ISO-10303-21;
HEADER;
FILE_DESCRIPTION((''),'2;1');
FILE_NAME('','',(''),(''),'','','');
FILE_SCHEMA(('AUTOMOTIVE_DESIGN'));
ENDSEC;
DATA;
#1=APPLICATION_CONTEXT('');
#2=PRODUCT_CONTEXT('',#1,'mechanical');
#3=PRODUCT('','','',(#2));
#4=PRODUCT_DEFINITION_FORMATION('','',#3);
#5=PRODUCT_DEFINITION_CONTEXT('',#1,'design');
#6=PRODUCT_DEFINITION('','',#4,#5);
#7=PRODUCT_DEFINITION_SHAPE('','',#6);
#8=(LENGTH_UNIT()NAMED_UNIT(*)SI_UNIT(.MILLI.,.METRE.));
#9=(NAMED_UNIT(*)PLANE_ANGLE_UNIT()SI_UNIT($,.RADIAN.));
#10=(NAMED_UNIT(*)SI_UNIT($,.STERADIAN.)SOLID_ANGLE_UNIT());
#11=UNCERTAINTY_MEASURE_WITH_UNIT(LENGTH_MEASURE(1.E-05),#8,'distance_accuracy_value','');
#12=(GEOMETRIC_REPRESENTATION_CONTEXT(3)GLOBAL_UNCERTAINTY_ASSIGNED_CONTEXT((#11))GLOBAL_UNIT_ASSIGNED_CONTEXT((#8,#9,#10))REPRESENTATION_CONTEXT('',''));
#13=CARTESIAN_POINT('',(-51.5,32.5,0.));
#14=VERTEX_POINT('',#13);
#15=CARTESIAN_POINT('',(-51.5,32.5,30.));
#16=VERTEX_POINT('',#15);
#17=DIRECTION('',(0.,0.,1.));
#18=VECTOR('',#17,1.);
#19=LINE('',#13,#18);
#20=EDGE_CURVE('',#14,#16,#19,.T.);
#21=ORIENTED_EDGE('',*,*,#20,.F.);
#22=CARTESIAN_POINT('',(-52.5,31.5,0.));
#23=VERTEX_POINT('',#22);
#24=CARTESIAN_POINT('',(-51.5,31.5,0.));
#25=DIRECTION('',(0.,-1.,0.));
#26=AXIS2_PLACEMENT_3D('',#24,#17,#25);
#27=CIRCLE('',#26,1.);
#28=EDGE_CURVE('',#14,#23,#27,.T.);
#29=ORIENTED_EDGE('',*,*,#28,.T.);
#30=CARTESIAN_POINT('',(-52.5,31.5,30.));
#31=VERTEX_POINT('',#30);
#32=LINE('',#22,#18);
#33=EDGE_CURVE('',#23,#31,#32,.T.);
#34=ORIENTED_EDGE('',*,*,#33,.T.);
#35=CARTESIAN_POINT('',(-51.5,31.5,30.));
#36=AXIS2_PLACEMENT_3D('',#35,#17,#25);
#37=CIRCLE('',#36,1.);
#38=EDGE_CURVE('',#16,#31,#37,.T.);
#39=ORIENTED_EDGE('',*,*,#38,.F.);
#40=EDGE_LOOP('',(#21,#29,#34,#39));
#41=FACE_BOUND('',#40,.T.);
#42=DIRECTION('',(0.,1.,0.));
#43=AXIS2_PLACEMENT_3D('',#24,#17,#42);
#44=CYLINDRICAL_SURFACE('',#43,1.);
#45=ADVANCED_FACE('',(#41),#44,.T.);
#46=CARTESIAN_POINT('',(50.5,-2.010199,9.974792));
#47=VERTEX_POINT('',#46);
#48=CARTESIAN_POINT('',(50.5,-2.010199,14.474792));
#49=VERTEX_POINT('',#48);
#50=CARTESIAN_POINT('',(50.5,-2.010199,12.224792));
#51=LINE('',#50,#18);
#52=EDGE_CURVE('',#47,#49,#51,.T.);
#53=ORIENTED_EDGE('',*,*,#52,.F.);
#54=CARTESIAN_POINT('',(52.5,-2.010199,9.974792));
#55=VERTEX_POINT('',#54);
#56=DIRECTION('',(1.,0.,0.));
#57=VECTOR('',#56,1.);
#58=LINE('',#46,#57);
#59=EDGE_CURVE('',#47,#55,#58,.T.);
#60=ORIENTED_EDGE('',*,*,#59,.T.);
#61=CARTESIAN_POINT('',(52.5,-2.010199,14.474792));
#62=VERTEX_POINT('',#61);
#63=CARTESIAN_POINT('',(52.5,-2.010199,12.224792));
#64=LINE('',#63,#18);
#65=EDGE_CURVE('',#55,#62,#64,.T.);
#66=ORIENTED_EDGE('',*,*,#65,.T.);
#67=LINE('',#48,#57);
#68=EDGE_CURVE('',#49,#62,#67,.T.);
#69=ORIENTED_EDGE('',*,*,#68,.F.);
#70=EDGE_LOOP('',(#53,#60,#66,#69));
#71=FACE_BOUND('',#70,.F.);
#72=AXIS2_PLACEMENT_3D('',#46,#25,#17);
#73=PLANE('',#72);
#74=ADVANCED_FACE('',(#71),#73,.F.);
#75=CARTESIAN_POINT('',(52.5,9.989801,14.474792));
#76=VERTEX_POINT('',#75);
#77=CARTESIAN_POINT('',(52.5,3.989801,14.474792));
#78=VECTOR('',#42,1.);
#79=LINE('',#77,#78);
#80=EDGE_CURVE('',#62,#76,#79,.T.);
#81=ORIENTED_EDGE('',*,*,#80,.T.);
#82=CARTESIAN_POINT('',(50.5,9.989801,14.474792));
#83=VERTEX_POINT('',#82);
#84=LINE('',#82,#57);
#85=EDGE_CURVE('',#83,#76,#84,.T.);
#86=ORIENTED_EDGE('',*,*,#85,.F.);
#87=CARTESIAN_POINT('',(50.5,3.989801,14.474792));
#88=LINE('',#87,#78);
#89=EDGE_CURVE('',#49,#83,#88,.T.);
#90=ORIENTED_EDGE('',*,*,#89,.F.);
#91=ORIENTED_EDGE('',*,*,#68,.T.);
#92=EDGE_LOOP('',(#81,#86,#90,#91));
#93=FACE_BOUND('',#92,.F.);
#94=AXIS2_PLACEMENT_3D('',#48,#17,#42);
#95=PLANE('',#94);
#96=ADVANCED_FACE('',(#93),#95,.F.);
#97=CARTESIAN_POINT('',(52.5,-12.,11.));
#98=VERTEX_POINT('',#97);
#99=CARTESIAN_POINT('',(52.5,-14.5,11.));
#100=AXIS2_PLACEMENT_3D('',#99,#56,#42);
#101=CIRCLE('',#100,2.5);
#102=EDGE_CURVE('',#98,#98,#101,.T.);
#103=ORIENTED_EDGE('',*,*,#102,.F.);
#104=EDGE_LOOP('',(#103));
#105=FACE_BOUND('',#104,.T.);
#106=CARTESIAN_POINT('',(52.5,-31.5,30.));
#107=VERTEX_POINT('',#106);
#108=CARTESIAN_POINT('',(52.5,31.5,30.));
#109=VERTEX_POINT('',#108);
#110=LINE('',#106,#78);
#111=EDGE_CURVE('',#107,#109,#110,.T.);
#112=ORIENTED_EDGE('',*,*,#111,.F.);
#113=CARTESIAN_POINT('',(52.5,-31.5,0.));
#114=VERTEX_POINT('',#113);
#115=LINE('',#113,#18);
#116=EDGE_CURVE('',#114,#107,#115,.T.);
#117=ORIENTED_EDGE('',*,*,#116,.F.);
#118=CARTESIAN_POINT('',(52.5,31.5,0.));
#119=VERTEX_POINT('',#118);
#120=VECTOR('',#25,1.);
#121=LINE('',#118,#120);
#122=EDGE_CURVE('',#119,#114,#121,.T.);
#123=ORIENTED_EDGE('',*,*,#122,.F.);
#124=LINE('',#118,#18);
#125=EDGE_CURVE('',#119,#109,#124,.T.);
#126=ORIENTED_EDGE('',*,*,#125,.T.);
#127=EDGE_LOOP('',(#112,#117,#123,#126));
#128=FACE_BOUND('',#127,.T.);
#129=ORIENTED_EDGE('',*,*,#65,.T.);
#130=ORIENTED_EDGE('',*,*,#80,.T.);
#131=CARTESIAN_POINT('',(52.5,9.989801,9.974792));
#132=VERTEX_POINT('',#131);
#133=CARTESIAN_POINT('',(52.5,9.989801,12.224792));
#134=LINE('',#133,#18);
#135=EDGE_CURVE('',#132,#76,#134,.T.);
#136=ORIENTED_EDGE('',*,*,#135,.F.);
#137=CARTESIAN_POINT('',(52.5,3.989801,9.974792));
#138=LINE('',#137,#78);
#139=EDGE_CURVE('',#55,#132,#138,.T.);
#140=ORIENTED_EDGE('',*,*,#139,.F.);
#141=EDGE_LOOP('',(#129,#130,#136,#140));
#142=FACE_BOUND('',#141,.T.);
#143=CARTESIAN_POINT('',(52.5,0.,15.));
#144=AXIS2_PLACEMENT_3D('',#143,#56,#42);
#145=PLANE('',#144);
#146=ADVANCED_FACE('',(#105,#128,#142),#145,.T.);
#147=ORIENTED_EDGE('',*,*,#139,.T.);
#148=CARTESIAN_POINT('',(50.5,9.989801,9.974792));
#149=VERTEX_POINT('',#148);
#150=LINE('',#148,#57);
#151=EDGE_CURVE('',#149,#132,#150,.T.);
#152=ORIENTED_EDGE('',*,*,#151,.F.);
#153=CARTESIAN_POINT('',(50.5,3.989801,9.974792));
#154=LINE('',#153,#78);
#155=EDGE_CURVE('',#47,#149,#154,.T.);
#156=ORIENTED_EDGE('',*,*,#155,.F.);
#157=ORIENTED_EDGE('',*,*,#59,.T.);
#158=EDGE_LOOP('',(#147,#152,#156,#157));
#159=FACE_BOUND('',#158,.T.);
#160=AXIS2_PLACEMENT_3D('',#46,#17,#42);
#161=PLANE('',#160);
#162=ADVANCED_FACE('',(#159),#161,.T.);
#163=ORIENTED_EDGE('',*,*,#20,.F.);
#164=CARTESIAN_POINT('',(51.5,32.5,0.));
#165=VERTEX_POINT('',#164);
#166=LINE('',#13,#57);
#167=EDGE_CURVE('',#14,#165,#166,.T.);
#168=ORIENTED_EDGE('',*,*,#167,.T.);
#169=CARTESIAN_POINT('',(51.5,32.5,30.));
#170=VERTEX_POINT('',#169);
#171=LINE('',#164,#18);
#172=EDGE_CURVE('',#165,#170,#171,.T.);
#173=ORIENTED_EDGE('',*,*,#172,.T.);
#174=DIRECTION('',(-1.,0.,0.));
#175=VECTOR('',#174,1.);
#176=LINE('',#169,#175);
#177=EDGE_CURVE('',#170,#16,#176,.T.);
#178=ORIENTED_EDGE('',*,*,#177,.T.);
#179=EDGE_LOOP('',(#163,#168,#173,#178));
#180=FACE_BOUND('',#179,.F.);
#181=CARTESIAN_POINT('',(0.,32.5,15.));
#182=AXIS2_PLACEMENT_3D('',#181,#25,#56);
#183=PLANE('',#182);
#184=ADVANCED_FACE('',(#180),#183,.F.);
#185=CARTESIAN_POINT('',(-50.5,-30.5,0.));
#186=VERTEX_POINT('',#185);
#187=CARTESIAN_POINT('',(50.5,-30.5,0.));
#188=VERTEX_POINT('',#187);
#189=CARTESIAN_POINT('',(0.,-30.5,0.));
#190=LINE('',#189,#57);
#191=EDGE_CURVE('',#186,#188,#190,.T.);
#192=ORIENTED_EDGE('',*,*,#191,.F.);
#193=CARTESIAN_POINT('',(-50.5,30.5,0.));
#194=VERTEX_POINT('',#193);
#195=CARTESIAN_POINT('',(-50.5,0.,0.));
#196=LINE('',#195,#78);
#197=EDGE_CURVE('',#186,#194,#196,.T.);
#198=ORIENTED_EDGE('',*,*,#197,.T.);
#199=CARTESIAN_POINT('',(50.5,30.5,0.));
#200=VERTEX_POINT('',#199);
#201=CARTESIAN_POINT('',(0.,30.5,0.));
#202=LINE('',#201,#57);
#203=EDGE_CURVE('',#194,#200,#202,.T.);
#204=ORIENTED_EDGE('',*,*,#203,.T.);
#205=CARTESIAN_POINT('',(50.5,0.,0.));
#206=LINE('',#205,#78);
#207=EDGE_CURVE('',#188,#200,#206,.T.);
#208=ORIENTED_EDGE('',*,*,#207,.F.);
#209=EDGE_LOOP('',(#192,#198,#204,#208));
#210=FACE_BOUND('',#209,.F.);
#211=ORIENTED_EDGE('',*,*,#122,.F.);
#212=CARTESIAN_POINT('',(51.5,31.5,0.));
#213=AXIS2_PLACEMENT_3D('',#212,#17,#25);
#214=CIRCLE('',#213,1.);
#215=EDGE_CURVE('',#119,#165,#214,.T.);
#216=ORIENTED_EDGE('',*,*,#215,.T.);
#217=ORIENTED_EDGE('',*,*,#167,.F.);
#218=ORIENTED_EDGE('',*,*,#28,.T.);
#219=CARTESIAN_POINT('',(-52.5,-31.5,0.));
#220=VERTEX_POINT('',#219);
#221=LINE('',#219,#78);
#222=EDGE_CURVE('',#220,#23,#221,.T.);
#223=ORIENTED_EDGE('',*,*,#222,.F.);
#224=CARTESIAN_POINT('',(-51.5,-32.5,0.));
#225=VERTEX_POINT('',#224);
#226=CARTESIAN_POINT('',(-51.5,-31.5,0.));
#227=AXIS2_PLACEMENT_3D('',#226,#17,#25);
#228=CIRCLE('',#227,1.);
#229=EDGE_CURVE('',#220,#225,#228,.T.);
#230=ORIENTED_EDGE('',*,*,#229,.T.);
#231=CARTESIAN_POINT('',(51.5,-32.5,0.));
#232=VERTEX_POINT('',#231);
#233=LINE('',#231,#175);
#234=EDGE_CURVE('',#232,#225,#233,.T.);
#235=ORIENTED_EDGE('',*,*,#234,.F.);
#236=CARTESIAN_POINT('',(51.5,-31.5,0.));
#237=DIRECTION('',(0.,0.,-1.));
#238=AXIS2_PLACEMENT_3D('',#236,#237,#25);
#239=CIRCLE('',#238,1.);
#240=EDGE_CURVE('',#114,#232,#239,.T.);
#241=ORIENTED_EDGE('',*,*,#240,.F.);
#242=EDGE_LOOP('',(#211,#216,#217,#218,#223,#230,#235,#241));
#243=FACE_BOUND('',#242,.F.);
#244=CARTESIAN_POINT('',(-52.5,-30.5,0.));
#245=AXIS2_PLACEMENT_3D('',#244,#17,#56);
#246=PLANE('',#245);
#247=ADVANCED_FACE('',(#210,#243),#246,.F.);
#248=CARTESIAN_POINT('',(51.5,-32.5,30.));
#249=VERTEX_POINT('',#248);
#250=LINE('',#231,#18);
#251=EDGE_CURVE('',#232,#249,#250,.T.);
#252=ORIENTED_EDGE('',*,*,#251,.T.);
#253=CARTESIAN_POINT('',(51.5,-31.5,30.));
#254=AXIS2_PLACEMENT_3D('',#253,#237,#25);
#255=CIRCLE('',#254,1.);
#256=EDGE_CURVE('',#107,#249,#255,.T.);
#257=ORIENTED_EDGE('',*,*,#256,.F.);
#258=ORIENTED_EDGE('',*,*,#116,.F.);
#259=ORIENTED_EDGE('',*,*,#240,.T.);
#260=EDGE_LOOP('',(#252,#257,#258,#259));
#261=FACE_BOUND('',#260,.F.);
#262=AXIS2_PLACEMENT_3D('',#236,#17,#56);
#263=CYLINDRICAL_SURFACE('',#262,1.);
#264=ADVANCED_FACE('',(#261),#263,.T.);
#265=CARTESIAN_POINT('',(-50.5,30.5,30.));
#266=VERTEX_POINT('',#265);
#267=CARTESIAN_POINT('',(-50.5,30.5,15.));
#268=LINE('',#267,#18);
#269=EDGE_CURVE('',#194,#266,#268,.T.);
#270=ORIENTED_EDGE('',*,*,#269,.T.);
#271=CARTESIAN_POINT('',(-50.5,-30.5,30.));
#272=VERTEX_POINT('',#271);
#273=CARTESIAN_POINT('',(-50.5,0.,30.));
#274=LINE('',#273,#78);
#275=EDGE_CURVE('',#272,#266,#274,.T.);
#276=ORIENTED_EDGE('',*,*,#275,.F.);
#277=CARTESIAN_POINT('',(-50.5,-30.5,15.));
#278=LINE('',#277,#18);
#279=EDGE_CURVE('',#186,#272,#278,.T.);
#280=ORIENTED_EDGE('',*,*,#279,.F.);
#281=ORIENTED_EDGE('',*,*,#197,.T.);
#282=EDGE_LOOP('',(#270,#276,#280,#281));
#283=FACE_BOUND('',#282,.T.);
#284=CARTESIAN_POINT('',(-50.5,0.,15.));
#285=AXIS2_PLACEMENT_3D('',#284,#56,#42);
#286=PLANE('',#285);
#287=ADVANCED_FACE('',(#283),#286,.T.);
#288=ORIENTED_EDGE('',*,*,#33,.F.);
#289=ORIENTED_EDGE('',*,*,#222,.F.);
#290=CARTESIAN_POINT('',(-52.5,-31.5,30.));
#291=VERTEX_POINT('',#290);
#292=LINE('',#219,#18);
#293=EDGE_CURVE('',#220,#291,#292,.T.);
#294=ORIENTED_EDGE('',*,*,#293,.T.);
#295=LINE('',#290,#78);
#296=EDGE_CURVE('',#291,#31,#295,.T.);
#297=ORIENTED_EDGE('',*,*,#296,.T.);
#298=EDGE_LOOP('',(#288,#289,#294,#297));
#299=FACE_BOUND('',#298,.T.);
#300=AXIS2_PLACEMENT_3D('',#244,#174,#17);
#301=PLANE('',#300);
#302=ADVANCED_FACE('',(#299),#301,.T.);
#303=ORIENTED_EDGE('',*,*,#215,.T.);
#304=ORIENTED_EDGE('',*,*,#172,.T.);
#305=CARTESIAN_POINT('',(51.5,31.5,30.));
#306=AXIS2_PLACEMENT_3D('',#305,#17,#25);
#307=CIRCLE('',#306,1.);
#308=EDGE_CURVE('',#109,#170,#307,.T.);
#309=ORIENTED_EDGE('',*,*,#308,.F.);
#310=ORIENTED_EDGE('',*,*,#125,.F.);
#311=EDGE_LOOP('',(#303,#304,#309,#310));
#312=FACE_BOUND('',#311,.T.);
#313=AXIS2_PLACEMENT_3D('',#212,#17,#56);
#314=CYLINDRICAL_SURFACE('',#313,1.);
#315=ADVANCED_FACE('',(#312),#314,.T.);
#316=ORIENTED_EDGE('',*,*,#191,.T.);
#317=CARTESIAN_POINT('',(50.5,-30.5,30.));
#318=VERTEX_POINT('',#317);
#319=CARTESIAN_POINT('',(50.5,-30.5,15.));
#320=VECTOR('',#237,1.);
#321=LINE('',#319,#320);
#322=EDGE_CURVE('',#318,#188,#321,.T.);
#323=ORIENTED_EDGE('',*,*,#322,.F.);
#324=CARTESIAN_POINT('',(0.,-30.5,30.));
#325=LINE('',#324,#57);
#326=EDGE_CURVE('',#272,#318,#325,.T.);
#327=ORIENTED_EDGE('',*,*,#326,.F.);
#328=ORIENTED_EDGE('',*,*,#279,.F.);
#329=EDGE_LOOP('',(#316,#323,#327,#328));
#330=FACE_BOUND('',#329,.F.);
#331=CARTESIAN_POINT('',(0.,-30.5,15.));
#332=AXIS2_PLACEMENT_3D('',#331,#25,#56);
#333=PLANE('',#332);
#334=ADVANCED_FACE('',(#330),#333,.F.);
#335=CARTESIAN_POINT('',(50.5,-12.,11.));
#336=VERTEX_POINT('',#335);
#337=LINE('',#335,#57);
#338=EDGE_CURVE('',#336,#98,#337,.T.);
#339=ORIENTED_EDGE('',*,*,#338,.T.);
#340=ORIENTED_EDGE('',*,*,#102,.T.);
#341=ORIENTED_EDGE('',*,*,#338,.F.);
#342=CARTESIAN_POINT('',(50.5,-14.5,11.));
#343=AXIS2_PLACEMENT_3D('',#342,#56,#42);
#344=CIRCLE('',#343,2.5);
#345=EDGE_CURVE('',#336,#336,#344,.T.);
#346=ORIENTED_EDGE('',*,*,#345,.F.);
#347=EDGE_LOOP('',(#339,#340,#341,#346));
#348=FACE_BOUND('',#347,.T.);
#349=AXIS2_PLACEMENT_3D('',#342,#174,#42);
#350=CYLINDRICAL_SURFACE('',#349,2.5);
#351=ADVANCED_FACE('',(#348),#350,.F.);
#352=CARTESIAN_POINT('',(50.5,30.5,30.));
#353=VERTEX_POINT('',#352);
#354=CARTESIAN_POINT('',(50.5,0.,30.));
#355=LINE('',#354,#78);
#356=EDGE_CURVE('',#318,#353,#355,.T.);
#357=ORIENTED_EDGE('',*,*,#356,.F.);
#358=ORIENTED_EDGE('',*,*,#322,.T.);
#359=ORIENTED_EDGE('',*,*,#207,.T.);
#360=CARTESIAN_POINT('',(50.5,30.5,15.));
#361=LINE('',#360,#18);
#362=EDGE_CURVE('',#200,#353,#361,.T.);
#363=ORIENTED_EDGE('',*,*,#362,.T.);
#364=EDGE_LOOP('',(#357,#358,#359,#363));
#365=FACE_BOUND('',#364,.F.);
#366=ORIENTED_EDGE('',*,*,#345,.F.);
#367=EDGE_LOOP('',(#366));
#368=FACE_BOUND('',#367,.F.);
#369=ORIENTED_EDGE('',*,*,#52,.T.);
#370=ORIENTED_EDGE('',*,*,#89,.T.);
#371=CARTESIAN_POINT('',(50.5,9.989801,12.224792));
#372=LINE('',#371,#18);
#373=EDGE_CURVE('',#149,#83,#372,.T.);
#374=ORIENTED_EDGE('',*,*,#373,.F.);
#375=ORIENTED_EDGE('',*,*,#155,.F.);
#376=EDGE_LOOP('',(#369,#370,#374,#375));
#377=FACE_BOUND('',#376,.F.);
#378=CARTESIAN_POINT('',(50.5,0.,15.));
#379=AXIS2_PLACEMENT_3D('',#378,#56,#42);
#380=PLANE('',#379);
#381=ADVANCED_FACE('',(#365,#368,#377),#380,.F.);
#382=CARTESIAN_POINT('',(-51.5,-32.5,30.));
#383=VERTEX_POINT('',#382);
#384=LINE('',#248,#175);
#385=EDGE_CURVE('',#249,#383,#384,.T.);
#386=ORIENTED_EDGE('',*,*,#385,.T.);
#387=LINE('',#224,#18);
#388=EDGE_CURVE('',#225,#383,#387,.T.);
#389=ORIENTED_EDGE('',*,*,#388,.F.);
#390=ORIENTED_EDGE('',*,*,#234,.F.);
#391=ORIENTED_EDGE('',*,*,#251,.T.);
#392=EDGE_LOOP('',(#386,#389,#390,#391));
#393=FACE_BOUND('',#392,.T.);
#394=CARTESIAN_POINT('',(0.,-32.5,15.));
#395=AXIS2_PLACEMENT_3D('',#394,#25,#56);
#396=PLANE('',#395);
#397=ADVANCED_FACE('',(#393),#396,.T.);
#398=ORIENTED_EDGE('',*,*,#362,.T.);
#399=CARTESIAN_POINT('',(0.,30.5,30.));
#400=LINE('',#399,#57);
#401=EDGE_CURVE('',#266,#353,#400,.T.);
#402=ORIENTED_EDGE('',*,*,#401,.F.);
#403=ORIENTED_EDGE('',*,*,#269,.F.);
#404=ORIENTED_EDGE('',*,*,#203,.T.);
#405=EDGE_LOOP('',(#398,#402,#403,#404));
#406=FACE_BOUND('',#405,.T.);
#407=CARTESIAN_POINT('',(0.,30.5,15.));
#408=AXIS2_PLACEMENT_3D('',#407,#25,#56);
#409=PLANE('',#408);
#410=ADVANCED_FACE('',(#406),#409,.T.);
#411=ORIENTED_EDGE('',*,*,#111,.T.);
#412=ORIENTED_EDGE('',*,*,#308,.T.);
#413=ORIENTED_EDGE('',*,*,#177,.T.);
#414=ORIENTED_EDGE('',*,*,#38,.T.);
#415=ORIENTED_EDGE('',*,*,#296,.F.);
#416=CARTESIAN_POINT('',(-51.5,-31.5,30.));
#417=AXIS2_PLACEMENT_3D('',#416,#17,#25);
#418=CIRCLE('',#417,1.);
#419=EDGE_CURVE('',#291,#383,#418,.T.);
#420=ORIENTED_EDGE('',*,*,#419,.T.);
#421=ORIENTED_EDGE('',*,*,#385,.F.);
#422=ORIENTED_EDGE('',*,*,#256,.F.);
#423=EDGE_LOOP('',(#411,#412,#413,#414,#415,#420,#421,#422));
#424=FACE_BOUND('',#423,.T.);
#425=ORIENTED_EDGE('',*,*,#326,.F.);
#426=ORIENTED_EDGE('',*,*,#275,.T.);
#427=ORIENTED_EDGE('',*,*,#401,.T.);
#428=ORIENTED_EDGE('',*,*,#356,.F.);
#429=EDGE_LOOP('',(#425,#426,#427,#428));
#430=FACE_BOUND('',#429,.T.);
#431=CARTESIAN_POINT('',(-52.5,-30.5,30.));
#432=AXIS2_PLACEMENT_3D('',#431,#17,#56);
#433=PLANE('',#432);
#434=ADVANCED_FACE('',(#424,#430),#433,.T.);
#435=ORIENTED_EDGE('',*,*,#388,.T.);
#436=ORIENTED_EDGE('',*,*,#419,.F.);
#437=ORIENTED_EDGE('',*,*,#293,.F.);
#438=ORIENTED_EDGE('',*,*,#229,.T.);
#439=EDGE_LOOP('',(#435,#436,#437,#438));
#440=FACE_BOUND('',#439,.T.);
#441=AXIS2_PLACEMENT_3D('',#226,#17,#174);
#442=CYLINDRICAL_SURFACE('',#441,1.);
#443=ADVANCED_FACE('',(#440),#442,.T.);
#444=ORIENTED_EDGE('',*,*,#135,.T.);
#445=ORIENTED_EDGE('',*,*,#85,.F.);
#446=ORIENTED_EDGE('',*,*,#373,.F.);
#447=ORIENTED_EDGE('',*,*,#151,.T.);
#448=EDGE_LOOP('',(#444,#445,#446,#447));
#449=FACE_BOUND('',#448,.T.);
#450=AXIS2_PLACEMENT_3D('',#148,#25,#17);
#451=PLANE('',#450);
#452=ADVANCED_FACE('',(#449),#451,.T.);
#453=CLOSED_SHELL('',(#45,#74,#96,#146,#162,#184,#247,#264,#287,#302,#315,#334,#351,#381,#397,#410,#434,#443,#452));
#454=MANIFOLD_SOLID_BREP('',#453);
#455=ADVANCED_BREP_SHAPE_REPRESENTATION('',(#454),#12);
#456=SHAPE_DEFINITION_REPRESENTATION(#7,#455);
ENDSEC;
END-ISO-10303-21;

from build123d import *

# Parameters (mm, degrees)
SKETCH004_W   = 65
SKETCH004_H   = 30
SKETCH004_R   = 2.5
SKETCH004_W_2 = 12
SKETCH004_H_2 = 4.5
PAD003_DEPTH  = 2
FILLET004_R   = 1
FILLET005_R   = 1
SKETCH002_W   = 105
SKETCH002_H   = 30
PAD001_DEPTH  = 2
FILLET002_R   = 1
FILLET003_R   = 1
SKETCH005_W   = 65
SKETCH005_H   = 30
PAD004_DEPTH  = 2
FILLET016_R   = 1
FILLET021_R   = 1
SKETCH003_W   = 105
SKETCH003_H   = 30
PAD002_DEPTH  = 2
FILLET009_R   = 1
FILLET017_R   = 1


with BuildPart() as body003:
    # Sketch004 → Pad003 (new body)
    with BuildSketch(Plane.YZ):
        with Locations((0, 15)):
            Rectangle(SKETCH004_W, SKETCH004_H)
        with Locations((-14.5, 11)):
            Circle(SKETCH004_R, mode=Mode.SUBTRACT)
        with Locations((3.989801, 12.224792)):
            Rectangle(SKETCH004_W_2, SKETCH004_H_2, mode=Mode.SUBTRACT)
    extrude(amount=PAD003_DEPTH)

    # Fillet004
    fillet004_edges = [body003.edges().sort_by_distance(p)[0] for p in [
        (2, 32.5, 15),
    ]]
    fillet(fillet004_edges, radius=FILLET004_R)

    # Fillet005
    fillet005_edges = [body003.edges().sort_by_distance(p)[0] for p in [
        (2, -32.5, 15),
    ]]
    fillet(fillet005_edges, radius=FILLET005_R)


with BuildPart() as body003_1:
    # Body003 placement: moved
    add(body003.part.moved(Location((50.5, 0, 0))))


with BuildPart() as body001:
    # Sketch002 → Pad001 (new body)
    with BuildSketch(Plane.XZ):
        with Locations((0, 15)):
            Rectangle(SKETCH002_W, SKETCH002_H)
    extrude(amount=PAD001_DEPTH)

    # Fillet002
    fillet002_edges = [body001.edges().sort_by_distance(p)[0] for p in [
        (-52.5, -2, 15),
    ]]
    fillet(fillet002_edges, radius=FILLET002_R)

    # Fillet003
    fillet003_edges = [body001.edges().sort_by_distance(p)[0] for p in [
        (52.5, -2, 15),
    ]]
    fillet(fillet003_edges, radius=FILLET003_R)


with BuildPart() as body001_1:
    # Body001 placement: moved
    add(body001.part.moved(Location((0, -30.5, 0))))


with BuildPart() as body004:
    # Sketch005 → Pad004 (new body)
    with BuildSketch(Plane.YZ):
        with Locations((0, 15)):
            Rectangle(SKETCH005_W, SKETCH005_H)
    extrude(amount=PAD004_DEPTH)

    # Fillet016
    fillet016_edges = [body004.edges().sort_by_distance(p)[0] for p in [
        (0, 32.5, 15),
    ]]
    fillet(fillet016_edges, radius=FILLET016_R)

    # Fillet021
    fillet021_edges = [body004.edges().sort_by_distance(p)[0] for p in [
        (0, -32.5, 15),
    ]]
    fillet(fillet021_edges, radius=FILLET021_R)


with BuildPart() as body004_1:
    # Body004 placement: moved
    add(body004.part.moved(Location((-52.5, 0, 0))))


with BuildPart() as body010:
    # Sketch003 → Pad002 (new body)
    with BuildSketch(Plane.XZ):
        with Locations((0, 15)):
            Rectangle(SKETCH003_W, SKETCH003_H)
    extrude(amount=PAD002_DEPTH)

    # Fillet009
    fillet009_edges = [body010.edges().sort_by_distance(p)[0] for p in [
        (52.5, 0, 15),
    ]]
    fillet(fillet009_edges, radius=FILLET009_R)

    # Fillet017
    fillet017_edges = [body010.edges().sort_by_distance(p)[0] for p in [
        (-52.5, 0, 15),
    ]]
    fillet(fillet017_edges, radius=FILLET017_R)


with BuildPart() as body010_1:
    # Body002 placement: moved
    add(body010.part.moved(Location((0, 32.5, 0))))

    # Fusion001: union Body003, Body001, Body004
    add(body003_1.part)
    add(body001_1.part)
    add(body004_1.part)


solid = body010_1.part
